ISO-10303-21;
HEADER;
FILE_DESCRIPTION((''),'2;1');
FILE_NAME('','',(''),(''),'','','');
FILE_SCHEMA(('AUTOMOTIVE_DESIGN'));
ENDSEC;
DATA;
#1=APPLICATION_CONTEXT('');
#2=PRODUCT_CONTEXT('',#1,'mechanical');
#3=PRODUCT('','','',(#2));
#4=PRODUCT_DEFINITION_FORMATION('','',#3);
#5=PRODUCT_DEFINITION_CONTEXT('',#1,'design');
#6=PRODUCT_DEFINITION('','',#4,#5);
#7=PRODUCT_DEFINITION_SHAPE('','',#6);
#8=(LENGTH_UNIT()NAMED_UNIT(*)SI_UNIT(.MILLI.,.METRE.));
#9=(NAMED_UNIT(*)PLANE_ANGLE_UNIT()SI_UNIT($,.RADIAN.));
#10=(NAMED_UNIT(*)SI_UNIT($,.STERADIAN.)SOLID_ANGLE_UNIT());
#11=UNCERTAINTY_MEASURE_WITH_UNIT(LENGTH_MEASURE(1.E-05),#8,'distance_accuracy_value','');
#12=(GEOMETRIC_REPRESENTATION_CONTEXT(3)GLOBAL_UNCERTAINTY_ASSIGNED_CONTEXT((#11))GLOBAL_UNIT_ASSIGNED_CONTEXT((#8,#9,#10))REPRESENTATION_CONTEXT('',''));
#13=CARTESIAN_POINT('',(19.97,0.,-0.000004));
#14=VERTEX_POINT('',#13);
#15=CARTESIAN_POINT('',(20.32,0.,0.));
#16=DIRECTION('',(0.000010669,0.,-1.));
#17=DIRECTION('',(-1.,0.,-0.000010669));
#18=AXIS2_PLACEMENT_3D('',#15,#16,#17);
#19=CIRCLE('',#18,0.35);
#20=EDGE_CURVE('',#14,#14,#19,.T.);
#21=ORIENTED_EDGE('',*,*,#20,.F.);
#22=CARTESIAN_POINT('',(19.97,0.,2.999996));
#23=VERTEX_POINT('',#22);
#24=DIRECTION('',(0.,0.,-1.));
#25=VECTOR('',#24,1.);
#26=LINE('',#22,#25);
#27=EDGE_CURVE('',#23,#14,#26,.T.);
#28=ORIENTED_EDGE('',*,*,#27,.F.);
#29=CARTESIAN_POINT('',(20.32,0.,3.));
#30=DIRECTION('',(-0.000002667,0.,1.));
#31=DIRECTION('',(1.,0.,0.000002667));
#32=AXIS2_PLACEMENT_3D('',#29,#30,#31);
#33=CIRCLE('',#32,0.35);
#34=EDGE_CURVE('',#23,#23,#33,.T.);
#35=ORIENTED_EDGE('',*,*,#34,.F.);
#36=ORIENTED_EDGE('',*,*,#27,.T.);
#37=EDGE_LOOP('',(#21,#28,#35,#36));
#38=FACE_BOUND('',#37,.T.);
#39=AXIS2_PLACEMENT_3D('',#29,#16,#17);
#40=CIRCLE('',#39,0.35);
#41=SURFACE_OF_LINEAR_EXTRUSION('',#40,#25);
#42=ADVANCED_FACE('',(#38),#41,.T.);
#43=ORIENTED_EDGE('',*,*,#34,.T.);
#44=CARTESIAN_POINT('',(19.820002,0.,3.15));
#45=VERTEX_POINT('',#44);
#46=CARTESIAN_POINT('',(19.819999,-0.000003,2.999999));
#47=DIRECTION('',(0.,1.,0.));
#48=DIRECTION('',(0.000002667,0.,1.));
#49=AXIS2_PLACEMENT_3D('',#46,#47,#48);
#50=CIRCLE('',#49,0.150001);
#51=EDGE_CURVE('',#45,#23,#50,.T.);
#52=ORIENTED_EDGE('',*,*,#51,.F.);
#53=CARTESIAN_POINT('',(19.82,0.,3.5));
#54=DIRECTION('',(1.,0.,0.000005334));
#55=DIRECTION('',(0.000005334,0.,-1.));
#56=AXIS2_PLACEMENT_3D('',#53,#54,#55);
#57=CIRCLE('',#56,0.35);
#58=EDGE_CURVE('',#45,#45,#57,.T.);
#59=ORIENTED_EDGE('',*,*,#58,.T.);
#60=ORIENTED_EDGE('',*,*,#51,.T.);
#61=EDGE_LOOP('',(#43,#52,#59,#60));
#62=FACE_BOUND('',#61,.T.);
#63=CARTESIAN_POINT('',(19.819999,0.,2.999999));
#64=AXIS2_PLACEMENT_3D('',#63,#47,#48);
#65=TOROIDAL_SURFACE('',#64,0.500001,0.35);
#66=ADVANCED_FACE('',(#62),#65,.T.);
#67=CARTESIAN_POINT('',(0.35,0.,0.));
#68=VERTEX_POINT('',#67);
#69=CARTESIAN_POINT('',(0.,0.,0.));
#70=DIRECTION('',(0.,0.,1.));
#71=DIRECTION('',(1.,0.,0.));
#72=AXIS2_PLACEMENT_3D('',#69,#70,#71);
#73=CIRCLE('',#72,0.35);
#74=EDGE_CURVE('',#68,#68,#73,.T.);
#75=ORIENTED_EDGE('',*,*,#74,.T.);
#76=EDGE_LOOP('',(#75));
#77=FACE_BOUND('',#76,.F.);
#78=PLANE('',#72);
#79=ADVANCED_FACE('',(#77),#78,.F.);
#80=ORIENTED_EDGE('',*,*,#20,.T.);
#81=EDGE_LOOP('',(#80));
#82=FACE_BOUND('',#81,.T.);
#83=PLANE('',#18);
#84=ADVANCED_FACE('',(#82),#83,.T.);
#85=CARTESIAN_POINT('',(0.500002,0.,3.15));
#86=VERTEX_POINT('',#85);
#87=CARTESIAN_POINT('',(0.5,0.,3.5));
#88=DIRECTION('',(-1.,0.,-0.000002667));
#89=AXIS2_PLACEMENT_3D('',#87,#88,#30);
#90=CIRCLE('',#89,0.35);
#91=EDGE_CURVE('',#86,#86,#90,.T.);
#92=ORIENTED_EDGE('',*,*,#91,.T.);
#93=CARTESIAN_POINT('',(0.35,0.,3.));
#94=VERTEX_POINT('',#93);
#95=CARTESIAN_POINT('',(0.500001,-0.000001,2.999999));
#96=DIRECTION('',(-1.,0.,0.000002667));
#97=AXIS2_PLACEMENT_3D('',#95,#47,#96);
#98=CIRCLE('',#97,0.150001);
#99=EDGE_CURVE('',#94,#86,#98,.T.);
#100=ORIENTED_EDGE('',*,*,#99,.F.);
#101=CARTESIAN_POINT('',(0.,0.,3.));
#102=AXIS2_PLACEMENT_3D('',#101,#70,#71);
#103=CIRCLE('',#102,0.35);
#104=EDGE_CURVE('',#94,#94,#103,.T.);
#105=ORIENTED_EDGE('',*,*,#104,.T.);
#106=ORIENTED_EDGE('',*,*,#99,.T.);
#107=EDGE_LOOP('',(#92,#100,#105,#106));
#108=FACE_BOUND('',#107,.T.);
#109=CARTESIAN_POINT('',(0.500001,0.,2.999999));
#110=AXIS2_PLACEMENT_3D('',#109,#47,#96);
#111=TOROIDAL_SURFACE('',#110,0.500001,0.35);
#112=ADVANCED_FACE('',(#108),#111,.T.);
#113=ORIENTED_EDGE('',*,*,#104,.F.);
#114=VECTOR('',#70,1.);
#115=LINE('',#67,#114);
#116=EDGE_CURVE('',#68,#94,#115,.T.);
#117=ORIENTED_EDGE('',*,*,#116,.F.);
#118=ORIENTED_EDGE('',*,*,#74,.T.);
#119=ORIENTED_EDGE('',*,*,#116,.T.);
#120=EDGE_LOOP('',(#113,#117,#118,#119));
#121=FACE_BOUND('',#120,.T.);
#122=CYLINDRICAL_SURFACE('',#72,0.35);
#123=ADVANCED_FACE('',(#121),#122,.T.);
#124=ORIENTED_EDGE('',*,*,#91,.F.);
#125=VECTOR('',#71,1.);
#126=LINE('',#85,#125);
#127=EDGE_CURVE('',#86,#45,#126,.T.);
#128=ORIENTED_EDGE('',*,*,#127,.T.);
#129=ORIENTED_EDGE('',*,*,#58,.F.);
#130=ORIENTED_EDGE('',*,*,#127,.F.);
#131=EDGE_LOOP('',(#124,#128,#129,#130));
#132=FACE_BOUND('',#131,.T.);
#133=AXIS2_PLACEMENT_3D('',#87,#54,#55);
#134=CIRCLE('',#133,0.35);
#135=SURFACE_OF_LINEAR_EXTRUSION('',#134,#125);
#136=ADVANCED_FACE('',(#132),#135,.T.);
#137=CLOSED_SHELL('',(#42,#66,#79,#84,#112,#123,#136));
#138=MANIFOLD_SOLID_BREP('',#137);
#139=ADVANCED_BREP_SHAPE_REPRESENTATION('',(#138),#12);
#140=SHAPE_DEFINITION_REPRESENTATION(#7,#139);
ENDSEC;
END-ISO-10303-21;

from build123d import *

# Parameters (mm, degrees)
SKETCH001_R = 0.35


with BuildPart() as part:
    # AdditivePipe: sweep along a path in Sketch
    with BuildLine(Plane.XZ) as additivepipe_path:
        Line((0, 0), (0, 3))
        ThreePointArc((0, 3), (0.146447, 3.353553), (0.5, 3.5))
        Line((0.5, 3.5), (19.82, 3.5))
        ThreePointArc((19.82, 3.5), (20.173553, 3.353553), (20.32, 3))
        Line((20.32, 3), (20.32, 0))
    # Sketch001 → AdditivePipe (sweep)
    with BuildSketch(Plane.XY):
        Circle(SKETCH001_R)
    sweep(path=additivepipe_path.line)


solid = part.part
